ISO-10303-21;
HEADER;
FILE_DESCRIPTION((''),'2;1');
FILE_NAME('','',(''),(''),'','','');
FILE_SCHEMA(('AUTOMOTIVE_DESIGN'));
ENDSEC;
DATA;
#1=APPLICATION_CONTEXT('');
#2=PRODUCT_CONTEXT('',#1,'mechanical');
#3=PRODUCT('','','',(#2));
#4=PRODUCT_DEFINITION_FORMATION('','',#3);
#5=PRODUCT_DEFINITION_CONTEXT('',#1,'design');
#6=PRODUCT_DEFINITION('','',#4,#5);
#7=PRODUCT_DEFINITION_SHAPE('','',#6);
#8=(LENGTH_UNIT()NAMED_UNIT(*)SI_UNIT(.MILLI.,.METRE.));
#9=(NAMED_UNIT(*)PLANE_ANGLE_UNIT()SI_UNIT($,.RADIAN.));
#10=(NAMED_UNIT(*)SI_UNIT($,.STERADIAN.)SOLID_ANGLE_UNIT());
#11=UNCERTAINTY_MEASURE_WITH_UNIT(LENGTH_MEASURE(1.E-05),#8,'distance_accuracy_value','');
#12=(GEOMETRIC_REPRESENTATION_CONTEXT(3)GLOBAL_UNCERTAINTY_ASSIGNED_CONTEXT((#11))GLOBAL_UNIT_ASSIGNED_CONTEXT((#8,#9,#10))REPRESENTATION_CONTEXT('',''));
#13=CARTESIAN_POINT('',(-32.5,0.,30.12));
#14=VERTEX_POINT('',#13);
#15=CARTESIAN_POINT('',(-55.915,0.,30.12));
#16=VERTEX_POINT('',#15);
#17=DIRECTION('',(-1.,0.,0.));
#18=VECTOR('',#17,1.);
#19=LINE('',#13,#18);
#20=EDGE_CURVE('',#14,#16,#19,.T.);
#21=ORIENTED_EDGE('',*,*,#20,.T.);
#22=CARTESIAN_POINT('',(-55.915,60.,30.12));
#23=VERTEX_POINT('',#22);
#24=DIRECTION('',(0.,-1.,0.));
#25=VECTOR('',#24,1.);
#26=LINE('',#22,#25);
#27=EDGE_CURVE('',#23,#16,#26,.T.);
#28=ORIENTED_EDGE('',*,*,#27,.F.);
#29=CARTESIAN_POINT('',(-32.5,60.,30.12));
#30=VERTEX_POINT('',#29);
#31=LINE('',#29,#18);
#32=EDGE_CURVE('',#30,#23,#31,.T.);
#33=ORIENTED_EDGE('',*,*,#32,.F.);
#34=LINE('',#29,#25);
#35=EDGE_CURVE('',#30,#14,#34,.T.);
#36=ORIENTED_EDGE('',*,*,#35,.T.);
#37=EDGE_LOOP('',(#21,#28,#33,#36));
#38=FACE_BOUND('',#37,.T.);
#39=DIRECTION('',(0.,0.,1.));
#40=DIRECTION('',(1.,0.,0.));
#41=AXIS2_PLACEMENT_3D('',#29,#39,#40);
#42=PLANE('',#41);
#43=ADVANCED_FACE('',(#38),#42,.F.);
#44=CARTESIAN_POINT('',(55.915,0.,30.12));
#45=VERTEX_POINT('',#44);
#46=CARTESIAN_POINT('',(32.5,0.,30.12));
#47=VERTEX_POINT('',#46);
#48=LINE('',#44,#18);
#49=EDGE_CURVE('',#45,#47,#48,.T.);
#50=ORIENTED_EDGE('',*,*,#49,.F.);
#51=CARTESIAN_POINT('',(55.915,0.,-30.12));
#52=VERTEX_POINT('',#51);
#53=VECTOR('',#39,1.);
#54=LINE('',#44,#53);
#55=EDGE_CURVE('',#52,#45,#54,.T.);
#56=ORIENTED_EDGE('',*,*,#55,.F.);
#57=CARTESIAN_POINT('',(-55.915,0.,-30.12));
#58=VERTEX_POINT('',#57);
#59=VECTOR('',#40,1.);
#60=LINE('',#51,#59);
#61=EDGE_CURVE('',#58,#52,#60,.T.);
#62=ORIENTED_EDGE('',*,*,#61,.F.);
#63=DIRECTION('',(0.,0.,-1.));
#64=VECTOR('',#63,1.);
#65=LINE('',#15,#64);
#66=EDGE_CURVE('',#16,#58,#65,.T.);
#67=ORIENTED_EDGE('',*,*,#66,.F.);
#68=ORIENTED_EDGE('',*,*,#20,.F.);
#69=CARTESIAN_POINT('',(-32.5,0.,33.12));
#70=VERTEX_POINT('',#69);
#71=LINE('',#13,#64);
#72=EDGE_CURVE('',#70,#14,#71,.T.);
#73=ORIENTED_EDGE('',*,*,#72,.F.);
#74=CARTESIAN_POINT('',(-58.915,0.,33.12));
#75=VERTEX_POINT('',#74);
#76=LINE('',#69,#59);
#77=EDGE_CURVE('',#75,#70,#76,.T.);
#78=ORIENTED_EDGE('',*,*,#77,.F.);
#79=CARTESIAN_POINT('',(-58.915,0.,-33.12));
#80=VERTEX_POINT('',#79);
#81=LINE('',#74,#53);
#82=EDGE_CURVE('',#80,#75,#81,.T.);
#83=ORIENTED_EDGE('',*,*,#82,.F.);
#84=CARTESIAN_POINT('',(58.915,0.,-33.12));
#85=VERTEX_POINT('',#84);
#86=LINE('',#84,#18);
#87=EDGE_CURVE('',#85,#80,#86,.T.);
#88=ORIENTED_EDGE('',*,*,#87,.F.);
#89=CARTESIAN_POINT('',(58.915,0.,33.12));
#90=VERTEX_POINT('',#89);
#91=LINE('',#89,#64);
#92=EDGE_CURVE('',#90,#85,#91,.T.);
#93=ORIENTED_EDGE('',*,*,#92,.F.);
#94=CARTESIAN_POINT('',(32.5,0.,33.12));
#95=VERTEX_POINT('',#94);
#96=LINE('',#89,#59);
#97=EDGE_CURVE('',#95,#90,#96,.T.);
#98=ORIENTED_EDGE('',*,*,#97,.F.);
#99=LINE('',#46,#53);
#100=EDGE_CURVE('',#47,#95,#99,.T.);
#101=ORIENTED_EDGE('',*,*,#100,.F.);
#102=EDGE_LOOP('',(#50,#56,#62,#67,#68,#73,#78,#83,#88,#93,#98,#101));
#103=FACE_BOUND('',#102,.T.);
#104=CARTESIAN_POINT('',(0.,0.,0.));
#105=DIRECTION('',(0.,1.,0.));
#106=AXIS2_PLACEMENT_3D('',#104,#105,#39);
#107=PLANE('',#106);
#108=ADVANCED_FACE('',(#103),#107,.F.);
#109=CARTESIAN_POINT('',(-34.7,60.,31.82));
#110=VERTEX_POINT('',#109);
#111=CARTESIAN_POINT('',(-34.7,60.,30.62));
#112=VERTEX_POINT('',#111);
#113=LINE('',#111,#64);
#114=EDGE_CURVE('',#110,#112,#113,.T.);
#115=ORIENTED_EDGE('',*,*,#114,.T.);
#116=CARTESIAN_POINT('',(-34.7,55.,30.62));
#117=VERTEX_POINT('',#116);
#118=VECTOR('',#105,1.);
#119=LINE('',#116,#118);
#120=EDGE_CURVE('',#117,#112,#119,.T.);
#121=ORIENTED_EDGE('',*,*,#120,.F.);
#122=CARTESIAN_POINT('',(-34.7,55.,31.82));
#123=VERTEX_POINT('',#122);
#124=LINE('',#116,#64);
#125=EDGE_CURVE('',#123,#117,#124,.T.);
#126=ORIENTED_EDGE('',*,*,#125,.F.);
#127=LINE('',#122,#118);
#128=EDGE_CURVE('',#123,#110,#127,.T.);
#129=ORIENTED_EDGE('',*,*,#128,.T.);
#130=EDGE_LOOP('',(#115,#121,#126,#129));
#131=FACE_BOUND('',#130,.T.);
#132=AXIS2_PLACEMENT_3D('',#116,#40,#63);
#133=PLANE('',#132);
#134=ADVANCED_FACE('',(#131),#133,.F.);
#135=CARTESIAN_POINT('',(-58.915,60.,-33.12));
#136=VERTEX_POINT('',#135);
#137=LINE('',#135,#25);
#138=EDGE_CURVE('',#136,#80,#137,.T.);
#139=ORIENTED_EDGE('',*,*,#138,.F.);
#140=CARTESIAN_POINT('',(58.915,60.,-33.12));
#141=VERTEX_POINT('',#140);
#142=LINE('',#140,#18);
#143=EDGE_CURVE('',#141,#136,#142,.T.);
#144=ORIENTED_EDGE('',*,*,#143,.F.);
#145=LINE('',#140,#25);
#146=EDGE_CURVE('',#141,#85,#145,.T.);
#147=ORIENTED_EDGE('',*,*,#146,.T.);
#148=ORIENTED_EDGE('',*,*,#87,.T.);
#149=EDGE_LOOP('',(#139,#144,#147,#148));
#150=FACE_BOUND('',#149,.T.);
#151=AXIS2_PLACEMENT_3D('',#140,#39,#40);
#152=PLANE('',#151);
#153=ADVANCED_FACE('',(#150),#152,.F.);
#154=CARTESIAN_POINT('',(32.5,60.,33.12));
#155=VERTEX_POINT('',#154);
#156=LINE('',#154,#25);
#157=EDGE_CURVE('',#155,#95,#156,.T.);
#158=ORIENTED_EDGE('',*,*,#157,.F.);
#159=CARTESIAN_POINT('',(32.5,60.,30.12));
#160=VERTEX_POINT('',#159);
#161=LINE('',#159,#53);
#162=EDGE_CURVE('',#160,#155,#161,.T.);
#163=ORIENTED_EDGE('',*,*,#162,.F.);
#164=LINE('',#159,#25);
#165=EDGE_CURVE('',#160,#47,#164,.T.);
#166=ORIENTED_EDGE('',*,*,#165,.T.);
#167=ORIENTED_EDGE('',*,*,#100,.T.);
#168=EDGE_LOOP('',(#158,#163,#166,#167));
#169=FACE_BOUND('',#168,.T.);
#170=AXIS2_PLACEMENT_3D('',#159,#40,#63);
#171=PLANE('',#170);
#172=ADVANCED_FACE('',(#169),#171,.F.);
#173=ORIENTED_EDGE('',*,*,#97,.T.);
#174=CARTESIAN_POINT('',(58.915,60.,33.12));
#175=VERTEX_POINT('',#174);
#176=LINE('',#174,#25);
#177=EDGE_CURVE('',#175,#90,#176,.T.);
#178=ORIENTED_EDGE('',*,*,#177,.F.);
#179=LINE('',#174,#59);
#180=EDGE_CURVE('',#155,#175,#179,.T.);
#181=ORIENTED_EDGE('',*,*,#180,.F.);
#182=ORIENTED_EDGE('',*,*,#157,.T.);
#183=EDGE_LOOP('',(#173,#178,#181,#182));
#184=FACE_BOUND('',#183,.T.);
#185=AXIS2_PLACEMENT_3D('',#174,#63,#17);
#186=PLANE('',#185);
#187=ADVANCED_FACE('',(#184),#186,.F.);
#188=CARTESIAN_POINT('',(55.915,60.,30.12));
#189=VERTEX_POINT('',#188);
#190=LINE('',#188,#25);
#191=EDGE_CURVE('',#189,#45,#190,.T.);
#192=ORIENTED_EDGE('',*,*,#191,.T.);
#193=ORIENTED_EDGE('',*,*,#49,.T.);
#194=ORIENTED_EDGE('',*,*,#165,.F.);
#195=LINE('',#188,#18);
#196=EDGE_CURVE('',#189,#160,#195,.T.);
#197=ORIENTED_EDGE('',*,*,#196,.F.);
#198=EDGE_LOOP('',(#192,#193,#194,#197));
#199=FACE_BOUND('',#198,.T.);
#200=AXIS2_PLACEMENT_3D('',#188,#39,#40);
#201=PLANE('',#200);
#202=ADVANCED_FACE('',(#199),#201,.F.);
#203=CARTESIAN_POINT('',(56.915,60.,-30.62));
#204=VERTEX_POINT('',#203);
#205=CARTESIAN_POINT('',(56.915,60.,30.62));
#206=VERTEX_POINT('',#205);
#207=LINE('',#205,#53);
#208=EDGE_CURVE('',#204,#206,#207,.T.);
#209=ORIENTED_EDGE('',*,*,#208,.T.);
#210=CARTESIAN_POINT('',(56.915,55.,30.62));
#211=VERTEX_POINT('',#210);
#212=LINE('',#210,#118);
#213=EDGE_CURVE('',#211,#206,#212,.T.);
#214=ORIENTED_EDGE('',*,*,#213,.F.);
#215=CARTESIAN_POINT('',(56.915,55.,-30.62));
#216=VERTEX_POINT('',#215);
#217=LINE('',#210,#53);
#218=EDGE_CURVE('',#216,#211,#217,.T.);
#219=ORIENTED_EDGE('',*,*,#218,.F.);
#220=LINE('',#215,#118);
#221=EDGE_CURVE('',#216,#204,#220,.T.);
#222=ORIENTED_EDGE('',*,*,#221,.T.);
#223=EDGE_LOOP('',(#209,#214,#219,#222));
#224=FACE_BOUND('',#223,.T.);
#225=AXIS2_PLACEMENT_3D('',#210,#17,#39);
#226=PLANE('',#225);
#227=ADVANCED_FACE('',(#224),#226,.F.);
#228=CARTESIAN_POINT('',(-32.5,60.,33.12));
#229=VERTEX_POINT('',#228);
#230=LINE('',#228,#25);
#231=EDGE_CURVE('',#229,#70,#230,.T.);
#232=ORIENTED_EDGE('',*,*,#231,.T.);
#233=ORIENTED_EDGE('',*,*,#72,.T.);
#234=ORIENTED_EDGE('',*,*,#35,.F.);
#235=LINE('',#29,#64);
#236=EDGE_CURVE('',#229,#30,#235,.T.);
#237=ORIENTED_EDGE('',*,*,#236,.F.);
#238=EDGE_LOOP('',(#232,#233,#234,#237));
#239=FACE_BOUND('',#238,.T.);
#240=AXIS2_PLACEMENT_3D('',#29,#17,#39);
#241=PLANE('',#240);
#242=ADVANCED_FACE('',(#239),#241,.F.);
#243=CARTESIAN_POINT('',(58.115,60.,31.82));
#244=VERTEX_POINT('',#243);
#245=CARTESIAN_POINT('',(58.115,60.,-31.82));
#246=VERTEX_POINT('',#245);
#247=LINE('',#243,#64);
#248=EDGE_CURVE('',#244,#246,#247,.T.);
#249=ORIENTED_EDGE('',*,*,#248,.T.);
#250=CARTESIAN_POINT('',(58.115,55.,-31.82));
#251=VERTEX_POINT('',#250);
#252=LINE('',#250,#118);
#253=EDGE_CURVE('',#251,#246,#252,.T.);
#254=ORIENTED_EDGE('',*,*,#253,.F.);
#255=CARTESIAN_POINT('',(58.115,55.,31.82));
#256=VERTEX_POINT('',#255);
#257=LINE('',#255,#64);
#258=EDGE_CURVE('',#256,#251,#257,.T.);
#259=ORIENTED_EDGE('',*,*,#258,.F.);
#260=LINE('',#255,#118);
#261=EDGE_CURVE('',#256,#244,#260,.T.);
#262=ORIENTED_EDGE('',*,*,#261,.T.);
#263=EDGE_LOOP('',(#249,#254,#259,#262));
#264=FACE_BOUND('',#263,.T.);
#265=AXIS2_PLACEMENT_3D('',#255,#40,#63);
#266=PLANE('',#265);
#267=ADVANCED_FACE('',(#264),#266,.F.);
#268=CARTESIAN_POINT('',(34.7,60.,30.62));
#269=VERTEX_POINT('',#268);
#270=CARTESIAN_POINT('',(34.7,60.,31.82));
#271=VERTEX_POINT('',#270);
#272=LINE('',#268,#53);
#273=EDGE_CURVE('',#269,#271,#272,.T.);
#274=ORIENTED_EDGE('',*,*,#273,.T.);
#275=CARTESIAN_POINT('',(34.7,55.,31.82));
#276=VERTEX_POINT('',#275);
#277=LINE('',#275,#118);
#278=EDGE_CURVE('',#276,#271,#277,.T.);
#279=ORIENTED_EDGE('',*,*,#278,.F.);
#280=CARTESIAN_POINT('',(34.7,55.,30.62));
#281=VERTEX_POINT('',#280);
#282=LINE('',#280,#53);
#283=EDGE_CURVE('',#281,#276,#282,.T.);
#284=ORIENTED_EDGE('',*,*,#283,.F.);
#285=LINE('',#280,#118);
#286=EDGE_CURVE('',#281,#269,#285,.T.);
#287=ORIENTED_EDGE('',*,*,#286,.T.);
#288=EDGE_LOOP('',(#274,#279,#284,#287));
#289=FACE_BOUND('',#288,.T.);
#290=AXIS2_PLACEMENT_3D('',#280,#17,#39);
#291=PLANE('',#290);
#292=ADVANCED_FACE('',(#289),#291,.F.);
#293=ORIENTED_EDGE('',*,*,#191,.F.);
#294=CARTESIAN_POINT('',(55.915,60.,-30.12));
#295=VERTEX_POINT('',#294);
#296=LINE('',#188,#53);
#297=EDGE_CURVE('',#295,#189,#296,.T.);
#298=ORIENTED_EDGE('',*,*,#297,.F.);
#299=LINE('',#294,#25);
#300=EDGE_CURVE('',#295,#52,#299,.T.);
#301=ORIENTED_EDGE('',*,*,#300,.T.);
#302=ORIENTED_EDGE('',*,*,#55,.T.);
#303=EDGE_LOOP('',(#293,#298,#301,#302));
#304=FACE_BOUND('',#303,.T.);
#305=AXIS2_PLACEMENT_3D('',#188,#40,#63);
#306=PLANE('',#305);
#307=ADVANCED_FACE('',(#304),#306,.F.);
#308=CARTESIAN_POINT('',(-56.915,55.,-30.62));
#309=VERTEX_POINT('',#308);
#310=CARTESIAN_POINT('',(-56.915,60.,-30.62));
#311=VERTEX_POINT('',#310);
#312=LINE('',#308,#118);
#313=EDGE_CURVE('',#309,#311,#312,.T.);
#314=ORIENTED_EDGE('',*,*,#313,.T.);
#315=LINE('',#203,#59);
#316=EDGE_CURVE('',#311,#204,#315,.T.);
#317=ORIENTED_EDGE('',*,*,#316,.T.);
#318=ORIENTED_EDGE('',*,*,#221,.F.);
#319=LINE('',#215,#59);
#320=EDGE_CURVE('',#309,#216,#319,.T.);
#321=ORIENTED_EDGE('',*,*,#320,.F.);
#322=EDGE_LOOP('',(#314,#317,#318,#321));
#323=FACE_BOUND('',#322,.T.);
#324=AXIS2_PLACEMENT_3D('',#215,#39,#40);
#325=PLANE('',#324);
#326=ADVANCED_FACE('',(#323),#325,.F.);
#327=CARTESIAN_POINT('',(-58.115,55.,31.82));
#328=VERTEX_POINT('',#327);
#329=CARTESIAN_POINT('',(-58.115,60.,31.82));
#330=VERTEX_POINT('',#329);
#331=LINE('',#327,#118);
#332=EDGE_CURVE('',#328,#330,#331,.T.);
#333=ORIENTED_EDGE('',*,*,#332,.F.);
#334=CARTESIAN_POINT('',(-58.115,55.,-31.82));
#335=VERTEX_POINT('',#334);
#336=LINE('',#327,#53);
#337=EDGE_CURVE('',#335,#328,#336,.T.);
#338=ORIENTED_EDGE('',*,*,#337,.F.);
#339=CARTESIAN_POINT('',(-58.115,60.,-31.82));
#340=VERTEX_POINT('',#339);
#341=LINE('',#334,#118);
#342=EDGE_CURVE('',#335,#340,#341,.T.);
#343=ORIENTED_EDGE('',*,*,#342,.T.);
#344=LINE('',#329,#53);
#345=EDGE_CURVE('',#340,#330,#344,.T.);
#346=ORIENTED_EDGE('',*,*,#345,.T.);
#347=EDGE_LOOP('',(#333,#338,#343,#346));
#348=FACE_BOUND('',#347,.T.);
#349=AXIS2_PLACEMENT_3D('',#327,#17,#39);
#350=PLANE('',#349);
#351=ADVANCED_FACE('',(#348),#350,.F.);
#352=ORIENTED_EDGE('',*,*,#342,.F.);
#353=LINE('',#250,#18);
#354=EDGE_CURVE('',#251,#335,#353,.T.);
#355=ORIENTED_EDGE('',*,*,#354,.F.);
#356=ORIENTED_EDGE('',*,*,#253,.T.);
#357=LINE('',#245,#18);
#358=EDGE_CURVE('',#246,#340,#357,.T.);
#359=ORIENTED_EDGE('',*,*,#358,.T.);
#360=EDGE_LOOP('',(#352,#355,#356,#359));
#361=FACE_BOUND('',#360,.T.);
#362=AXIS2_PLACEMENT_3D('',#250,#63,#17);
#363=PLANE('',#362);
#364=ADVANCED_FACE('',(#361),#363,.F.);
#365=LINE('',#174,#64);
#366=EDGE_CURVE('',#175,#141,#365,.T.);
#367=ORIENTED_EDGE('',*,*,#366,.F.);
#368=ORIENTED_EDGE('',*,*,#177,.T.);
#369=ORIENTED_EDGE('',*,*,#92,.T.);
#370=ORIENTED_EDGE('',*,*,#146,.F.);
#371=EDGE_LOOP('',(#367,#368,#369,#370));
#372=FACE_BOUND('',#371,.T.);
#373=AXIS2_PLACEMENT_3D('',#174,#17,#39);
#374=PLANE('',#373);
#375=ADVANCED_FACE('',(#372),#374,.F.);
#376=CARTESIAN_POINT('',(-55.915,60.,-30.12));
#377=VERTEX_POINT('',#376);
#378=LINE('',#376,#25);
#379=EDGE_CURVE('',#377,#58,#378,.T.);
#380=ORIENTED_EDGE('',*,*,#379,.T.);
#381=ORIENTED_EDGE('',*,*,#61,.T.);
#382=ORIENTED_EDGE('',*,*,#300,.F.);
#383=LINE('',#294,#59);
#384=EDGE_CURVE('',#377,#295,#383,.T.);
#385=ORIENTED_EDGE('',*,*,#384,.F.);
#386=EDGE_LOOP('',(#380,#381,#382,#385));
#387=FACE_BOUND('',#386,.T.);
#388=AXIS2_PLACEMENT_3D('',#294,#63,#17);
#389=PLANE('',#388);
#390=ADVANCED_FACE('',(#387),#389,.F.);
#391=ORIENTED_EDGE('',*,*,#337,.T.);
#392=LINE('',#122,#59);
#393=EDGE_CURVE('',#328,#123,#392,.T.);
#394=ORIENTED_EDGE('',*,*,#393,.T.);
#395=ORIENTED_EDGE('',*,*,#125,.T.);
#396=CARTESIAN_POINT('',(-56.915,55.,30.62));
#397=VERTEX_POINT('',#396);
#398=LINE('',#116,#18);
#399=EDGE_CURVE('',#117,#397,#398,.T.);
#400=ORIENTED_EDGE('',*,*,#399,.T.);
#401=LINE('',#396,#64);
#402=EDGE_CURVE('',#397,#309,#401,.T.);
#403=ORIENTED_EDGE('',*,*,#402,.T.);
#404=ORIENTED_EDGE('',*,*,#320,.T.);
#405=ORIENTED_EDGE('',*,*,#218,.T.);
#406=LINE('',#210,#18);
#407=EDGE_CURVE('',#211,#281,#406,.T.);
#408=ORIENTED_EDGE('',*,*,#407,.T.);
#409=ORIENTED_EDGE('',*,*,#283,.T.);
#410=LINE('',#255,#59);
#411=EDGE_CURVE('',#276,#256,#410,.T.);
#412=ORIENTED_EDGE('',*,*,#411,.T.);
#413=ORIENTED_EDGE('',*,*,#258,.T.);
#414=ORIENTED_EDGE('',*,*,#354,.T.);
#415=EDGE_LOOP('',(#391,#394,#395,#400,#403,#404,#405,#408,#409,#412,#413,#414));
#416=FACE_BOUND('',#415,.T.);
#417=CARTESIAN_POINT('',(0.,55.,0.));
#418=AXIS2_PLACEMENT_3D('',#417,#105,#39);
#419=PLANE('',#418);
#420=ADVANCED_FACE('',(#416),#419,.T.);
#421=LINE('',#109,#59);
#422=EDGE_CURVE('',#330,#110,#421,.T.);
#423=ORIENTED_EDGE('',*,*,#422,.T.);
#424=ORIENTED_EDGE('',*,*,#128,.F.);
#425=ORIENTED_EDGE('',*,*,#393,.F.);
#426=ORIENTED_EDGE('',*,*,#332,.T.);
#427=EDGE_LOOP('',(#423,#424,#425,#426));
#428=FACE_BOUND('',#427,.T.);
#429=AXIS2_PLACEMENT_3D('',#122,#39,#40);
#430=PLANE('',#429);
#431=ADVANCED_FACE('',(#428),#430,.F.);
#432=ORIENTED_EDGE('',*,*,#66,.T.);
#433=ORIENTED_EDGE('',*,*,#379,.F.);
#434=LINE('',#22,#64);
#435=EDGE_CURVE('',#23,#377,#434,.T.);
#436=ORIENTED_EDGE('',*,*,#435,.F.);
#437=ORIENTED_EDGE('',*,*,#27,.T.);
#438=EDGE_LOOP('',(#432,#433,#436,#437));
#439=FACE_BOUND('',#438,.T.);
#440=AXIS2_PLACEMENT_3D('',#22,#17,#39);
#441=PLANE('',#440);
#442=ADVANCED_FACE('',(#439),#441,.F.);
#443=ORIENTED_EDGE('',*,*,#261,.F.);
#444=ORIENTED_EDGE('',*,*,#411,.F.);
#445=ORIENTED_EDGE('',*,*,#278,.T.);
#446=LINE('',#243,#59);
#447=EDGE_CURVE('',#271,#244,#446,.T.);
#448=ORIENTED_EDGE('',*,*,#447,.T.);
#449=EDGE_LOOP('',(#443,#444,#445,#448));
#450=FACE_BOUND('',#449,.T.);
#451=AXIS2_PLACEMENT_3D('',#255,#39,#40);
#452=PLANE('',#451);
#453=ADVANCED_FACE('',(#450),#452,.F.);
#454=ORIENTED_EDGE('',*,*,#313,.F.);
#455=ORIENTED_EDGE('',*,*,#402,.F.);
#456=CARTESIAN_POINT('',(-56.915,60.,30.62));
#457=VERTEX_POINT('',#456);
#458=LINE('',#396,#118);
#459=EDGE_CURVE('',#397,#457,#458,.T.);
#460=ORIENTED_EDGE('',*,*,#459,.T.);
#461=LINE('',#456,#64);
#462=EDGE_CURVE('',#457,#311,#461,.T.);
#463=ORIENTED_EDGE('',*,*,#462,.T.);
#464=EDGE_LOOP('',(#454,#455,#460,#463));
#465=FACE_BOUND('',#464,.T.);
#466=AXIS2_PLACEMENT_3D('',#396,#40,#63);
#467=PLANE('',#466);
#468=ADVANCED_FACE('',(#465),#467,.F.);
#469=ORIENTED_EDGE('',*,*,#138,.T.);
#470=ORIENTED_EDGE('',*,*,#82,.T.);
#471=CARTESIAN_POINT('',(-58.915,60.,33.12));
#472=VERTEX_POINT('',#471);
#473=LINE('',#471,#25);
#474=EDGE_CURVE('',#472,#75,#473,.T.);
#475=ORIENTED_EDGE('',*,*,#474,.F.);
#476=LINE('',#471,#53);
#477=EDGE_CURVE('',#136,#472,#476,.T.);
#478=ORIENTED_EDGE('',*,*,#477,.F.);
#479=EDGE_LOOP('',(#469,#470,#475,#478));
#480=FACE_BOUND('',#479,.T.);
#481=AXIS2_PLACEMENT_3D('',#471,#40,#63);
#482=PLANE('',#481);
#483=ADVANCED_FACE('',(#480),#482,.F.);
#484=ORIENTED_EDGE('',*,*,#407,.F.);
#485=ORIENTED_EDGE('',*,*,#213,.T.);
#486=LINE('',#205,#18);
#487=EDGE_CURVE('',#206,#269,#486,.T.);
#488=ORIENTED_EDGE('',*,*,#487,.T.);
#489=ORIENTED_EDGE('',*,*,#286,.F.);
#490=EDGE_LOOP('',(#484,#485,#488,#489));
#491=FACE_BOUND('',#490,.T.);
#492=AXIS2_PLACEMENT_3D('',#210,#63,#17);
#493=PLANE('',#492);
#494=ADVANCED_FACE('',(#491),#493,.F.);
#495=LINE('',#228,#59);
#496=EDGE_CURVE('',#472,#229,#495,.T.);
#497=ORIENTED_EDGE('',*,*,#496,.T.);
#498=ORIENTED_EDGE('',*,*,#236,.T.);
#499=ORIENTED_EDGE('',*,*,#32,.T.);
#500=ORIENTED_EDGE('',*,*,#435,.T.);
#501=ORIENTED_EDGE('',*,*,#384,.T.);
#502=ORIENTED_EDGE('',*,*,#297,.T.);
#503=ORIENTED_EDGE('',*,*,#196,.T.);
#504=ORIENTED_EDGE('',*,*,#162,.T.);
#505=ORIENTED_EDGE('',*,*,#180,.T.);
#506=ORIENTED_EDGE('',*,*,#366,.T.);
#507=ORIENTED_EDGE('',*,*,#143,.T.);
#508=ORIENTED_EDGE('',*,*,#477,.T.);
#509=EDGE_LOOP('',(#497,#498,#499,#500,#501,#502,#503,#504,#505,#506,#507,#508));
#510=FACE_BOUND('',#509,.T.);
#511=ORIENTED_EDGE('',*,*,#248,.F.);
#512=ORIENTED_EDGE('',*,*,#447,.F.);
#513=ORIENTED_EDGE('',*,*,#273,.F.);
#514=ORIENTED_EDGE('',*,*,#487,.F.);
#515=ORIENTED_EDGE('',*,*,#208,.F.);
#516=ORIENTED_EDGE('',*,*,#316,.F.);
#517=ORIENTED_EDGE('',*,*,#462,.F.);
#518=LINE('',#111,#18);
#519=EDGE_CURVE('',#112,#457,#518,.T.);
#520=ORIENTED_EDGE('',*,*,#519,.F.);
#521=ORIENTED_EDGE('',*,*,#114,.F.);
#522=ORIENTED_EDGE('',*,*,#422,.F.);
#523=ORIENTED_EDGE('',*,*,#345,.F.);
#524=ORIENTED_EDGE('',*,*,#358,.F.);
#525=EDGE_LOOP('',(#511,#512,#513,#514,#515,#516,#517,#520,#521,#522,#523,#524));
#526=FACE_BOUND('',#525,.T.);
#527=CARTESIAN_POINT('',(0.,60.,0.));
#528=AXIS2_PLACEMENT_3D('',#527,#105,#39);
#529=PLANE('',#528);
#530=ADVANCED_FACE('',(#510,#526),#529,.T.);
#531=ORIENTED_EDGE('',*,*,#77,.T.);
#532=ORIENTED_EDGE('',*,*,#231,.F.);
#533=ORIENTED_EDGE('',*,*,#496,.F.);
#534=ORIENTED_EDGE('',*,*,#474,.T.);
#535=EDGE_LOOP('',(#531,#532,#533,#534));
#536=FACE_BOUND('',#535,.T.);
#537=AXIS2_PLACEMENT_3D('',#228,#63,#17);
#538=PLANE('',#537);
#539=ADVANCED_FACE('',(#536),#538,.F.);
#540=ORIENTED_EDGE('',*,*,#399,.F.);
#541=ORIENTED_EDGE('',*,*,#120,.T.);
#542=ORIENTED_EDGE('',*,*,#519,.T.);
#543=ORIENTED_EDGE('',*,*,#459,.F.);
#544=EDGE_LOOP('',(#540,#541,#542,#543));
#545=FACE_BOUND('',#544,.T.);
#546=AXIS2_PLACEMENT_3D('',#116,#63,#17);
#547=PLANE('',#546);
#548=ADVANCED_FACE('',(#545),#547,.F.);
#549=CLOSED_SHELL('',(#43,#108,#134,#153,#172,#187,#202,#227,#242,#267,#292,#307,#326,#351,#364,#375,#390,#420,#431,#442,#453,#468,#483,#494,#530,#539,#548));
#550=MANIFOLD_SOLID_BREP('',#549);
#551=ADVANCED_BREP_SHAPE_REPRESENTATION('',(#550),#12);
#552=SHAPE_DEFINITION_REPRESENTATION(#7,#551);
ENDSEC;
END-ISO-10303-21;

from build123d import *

# Parameters (mm, degrees)
BOSS_EXTRUDE1_DEPTH = 60
CUT_EXTRUDE1_DEPTH  = 5


with BuildPart() as part:
    # Sketch1 → Boss-Extrude1 (new body)
    with BuildSketch(Plane(origin=(0, 0, 0), x_dir=(1, 0, 0), z_dir=(0, 1, 0))):
        Polygon((-32.5, -30.12), (-32.5, -33.12), (-58.915, -33.12), (-58.915, 33.12), (58.915, 33.12), (58.915, -33.12), (32.5, -33.12), (32.5, -30.12), (55.915, -30.12), (55.915, 30.12), (-55.915, 30.12), (-55.915, -30.12), align=None)
    extrude(amount=BOSS_EXTRUDE1_DEPTH)

    # Sketch2 → Cut-Extrude1 (cut)
    with BuildSketch(Plane(origin=(0, 60, 0), x_dir=(1, 0, 0), z_dir=(0, 1, 0))):
        Polygon((-34.7, -30.62), (-34.7, -31.82), (-58.115, -31.82), (-58.115, 31.82), (58.115, 31.82), (58.115, -31.82), (34.7, -31.82), (34.7, -30.62), (56.915, -30.62), (56.915, 30.62), (-56.915, 30.62), (-56.915, -30.62), align=None)
    extrude(amount=-CUT_EXTRUDE1_DEPTH, mode=Mode.SUBTRACT)


solid = part.part
